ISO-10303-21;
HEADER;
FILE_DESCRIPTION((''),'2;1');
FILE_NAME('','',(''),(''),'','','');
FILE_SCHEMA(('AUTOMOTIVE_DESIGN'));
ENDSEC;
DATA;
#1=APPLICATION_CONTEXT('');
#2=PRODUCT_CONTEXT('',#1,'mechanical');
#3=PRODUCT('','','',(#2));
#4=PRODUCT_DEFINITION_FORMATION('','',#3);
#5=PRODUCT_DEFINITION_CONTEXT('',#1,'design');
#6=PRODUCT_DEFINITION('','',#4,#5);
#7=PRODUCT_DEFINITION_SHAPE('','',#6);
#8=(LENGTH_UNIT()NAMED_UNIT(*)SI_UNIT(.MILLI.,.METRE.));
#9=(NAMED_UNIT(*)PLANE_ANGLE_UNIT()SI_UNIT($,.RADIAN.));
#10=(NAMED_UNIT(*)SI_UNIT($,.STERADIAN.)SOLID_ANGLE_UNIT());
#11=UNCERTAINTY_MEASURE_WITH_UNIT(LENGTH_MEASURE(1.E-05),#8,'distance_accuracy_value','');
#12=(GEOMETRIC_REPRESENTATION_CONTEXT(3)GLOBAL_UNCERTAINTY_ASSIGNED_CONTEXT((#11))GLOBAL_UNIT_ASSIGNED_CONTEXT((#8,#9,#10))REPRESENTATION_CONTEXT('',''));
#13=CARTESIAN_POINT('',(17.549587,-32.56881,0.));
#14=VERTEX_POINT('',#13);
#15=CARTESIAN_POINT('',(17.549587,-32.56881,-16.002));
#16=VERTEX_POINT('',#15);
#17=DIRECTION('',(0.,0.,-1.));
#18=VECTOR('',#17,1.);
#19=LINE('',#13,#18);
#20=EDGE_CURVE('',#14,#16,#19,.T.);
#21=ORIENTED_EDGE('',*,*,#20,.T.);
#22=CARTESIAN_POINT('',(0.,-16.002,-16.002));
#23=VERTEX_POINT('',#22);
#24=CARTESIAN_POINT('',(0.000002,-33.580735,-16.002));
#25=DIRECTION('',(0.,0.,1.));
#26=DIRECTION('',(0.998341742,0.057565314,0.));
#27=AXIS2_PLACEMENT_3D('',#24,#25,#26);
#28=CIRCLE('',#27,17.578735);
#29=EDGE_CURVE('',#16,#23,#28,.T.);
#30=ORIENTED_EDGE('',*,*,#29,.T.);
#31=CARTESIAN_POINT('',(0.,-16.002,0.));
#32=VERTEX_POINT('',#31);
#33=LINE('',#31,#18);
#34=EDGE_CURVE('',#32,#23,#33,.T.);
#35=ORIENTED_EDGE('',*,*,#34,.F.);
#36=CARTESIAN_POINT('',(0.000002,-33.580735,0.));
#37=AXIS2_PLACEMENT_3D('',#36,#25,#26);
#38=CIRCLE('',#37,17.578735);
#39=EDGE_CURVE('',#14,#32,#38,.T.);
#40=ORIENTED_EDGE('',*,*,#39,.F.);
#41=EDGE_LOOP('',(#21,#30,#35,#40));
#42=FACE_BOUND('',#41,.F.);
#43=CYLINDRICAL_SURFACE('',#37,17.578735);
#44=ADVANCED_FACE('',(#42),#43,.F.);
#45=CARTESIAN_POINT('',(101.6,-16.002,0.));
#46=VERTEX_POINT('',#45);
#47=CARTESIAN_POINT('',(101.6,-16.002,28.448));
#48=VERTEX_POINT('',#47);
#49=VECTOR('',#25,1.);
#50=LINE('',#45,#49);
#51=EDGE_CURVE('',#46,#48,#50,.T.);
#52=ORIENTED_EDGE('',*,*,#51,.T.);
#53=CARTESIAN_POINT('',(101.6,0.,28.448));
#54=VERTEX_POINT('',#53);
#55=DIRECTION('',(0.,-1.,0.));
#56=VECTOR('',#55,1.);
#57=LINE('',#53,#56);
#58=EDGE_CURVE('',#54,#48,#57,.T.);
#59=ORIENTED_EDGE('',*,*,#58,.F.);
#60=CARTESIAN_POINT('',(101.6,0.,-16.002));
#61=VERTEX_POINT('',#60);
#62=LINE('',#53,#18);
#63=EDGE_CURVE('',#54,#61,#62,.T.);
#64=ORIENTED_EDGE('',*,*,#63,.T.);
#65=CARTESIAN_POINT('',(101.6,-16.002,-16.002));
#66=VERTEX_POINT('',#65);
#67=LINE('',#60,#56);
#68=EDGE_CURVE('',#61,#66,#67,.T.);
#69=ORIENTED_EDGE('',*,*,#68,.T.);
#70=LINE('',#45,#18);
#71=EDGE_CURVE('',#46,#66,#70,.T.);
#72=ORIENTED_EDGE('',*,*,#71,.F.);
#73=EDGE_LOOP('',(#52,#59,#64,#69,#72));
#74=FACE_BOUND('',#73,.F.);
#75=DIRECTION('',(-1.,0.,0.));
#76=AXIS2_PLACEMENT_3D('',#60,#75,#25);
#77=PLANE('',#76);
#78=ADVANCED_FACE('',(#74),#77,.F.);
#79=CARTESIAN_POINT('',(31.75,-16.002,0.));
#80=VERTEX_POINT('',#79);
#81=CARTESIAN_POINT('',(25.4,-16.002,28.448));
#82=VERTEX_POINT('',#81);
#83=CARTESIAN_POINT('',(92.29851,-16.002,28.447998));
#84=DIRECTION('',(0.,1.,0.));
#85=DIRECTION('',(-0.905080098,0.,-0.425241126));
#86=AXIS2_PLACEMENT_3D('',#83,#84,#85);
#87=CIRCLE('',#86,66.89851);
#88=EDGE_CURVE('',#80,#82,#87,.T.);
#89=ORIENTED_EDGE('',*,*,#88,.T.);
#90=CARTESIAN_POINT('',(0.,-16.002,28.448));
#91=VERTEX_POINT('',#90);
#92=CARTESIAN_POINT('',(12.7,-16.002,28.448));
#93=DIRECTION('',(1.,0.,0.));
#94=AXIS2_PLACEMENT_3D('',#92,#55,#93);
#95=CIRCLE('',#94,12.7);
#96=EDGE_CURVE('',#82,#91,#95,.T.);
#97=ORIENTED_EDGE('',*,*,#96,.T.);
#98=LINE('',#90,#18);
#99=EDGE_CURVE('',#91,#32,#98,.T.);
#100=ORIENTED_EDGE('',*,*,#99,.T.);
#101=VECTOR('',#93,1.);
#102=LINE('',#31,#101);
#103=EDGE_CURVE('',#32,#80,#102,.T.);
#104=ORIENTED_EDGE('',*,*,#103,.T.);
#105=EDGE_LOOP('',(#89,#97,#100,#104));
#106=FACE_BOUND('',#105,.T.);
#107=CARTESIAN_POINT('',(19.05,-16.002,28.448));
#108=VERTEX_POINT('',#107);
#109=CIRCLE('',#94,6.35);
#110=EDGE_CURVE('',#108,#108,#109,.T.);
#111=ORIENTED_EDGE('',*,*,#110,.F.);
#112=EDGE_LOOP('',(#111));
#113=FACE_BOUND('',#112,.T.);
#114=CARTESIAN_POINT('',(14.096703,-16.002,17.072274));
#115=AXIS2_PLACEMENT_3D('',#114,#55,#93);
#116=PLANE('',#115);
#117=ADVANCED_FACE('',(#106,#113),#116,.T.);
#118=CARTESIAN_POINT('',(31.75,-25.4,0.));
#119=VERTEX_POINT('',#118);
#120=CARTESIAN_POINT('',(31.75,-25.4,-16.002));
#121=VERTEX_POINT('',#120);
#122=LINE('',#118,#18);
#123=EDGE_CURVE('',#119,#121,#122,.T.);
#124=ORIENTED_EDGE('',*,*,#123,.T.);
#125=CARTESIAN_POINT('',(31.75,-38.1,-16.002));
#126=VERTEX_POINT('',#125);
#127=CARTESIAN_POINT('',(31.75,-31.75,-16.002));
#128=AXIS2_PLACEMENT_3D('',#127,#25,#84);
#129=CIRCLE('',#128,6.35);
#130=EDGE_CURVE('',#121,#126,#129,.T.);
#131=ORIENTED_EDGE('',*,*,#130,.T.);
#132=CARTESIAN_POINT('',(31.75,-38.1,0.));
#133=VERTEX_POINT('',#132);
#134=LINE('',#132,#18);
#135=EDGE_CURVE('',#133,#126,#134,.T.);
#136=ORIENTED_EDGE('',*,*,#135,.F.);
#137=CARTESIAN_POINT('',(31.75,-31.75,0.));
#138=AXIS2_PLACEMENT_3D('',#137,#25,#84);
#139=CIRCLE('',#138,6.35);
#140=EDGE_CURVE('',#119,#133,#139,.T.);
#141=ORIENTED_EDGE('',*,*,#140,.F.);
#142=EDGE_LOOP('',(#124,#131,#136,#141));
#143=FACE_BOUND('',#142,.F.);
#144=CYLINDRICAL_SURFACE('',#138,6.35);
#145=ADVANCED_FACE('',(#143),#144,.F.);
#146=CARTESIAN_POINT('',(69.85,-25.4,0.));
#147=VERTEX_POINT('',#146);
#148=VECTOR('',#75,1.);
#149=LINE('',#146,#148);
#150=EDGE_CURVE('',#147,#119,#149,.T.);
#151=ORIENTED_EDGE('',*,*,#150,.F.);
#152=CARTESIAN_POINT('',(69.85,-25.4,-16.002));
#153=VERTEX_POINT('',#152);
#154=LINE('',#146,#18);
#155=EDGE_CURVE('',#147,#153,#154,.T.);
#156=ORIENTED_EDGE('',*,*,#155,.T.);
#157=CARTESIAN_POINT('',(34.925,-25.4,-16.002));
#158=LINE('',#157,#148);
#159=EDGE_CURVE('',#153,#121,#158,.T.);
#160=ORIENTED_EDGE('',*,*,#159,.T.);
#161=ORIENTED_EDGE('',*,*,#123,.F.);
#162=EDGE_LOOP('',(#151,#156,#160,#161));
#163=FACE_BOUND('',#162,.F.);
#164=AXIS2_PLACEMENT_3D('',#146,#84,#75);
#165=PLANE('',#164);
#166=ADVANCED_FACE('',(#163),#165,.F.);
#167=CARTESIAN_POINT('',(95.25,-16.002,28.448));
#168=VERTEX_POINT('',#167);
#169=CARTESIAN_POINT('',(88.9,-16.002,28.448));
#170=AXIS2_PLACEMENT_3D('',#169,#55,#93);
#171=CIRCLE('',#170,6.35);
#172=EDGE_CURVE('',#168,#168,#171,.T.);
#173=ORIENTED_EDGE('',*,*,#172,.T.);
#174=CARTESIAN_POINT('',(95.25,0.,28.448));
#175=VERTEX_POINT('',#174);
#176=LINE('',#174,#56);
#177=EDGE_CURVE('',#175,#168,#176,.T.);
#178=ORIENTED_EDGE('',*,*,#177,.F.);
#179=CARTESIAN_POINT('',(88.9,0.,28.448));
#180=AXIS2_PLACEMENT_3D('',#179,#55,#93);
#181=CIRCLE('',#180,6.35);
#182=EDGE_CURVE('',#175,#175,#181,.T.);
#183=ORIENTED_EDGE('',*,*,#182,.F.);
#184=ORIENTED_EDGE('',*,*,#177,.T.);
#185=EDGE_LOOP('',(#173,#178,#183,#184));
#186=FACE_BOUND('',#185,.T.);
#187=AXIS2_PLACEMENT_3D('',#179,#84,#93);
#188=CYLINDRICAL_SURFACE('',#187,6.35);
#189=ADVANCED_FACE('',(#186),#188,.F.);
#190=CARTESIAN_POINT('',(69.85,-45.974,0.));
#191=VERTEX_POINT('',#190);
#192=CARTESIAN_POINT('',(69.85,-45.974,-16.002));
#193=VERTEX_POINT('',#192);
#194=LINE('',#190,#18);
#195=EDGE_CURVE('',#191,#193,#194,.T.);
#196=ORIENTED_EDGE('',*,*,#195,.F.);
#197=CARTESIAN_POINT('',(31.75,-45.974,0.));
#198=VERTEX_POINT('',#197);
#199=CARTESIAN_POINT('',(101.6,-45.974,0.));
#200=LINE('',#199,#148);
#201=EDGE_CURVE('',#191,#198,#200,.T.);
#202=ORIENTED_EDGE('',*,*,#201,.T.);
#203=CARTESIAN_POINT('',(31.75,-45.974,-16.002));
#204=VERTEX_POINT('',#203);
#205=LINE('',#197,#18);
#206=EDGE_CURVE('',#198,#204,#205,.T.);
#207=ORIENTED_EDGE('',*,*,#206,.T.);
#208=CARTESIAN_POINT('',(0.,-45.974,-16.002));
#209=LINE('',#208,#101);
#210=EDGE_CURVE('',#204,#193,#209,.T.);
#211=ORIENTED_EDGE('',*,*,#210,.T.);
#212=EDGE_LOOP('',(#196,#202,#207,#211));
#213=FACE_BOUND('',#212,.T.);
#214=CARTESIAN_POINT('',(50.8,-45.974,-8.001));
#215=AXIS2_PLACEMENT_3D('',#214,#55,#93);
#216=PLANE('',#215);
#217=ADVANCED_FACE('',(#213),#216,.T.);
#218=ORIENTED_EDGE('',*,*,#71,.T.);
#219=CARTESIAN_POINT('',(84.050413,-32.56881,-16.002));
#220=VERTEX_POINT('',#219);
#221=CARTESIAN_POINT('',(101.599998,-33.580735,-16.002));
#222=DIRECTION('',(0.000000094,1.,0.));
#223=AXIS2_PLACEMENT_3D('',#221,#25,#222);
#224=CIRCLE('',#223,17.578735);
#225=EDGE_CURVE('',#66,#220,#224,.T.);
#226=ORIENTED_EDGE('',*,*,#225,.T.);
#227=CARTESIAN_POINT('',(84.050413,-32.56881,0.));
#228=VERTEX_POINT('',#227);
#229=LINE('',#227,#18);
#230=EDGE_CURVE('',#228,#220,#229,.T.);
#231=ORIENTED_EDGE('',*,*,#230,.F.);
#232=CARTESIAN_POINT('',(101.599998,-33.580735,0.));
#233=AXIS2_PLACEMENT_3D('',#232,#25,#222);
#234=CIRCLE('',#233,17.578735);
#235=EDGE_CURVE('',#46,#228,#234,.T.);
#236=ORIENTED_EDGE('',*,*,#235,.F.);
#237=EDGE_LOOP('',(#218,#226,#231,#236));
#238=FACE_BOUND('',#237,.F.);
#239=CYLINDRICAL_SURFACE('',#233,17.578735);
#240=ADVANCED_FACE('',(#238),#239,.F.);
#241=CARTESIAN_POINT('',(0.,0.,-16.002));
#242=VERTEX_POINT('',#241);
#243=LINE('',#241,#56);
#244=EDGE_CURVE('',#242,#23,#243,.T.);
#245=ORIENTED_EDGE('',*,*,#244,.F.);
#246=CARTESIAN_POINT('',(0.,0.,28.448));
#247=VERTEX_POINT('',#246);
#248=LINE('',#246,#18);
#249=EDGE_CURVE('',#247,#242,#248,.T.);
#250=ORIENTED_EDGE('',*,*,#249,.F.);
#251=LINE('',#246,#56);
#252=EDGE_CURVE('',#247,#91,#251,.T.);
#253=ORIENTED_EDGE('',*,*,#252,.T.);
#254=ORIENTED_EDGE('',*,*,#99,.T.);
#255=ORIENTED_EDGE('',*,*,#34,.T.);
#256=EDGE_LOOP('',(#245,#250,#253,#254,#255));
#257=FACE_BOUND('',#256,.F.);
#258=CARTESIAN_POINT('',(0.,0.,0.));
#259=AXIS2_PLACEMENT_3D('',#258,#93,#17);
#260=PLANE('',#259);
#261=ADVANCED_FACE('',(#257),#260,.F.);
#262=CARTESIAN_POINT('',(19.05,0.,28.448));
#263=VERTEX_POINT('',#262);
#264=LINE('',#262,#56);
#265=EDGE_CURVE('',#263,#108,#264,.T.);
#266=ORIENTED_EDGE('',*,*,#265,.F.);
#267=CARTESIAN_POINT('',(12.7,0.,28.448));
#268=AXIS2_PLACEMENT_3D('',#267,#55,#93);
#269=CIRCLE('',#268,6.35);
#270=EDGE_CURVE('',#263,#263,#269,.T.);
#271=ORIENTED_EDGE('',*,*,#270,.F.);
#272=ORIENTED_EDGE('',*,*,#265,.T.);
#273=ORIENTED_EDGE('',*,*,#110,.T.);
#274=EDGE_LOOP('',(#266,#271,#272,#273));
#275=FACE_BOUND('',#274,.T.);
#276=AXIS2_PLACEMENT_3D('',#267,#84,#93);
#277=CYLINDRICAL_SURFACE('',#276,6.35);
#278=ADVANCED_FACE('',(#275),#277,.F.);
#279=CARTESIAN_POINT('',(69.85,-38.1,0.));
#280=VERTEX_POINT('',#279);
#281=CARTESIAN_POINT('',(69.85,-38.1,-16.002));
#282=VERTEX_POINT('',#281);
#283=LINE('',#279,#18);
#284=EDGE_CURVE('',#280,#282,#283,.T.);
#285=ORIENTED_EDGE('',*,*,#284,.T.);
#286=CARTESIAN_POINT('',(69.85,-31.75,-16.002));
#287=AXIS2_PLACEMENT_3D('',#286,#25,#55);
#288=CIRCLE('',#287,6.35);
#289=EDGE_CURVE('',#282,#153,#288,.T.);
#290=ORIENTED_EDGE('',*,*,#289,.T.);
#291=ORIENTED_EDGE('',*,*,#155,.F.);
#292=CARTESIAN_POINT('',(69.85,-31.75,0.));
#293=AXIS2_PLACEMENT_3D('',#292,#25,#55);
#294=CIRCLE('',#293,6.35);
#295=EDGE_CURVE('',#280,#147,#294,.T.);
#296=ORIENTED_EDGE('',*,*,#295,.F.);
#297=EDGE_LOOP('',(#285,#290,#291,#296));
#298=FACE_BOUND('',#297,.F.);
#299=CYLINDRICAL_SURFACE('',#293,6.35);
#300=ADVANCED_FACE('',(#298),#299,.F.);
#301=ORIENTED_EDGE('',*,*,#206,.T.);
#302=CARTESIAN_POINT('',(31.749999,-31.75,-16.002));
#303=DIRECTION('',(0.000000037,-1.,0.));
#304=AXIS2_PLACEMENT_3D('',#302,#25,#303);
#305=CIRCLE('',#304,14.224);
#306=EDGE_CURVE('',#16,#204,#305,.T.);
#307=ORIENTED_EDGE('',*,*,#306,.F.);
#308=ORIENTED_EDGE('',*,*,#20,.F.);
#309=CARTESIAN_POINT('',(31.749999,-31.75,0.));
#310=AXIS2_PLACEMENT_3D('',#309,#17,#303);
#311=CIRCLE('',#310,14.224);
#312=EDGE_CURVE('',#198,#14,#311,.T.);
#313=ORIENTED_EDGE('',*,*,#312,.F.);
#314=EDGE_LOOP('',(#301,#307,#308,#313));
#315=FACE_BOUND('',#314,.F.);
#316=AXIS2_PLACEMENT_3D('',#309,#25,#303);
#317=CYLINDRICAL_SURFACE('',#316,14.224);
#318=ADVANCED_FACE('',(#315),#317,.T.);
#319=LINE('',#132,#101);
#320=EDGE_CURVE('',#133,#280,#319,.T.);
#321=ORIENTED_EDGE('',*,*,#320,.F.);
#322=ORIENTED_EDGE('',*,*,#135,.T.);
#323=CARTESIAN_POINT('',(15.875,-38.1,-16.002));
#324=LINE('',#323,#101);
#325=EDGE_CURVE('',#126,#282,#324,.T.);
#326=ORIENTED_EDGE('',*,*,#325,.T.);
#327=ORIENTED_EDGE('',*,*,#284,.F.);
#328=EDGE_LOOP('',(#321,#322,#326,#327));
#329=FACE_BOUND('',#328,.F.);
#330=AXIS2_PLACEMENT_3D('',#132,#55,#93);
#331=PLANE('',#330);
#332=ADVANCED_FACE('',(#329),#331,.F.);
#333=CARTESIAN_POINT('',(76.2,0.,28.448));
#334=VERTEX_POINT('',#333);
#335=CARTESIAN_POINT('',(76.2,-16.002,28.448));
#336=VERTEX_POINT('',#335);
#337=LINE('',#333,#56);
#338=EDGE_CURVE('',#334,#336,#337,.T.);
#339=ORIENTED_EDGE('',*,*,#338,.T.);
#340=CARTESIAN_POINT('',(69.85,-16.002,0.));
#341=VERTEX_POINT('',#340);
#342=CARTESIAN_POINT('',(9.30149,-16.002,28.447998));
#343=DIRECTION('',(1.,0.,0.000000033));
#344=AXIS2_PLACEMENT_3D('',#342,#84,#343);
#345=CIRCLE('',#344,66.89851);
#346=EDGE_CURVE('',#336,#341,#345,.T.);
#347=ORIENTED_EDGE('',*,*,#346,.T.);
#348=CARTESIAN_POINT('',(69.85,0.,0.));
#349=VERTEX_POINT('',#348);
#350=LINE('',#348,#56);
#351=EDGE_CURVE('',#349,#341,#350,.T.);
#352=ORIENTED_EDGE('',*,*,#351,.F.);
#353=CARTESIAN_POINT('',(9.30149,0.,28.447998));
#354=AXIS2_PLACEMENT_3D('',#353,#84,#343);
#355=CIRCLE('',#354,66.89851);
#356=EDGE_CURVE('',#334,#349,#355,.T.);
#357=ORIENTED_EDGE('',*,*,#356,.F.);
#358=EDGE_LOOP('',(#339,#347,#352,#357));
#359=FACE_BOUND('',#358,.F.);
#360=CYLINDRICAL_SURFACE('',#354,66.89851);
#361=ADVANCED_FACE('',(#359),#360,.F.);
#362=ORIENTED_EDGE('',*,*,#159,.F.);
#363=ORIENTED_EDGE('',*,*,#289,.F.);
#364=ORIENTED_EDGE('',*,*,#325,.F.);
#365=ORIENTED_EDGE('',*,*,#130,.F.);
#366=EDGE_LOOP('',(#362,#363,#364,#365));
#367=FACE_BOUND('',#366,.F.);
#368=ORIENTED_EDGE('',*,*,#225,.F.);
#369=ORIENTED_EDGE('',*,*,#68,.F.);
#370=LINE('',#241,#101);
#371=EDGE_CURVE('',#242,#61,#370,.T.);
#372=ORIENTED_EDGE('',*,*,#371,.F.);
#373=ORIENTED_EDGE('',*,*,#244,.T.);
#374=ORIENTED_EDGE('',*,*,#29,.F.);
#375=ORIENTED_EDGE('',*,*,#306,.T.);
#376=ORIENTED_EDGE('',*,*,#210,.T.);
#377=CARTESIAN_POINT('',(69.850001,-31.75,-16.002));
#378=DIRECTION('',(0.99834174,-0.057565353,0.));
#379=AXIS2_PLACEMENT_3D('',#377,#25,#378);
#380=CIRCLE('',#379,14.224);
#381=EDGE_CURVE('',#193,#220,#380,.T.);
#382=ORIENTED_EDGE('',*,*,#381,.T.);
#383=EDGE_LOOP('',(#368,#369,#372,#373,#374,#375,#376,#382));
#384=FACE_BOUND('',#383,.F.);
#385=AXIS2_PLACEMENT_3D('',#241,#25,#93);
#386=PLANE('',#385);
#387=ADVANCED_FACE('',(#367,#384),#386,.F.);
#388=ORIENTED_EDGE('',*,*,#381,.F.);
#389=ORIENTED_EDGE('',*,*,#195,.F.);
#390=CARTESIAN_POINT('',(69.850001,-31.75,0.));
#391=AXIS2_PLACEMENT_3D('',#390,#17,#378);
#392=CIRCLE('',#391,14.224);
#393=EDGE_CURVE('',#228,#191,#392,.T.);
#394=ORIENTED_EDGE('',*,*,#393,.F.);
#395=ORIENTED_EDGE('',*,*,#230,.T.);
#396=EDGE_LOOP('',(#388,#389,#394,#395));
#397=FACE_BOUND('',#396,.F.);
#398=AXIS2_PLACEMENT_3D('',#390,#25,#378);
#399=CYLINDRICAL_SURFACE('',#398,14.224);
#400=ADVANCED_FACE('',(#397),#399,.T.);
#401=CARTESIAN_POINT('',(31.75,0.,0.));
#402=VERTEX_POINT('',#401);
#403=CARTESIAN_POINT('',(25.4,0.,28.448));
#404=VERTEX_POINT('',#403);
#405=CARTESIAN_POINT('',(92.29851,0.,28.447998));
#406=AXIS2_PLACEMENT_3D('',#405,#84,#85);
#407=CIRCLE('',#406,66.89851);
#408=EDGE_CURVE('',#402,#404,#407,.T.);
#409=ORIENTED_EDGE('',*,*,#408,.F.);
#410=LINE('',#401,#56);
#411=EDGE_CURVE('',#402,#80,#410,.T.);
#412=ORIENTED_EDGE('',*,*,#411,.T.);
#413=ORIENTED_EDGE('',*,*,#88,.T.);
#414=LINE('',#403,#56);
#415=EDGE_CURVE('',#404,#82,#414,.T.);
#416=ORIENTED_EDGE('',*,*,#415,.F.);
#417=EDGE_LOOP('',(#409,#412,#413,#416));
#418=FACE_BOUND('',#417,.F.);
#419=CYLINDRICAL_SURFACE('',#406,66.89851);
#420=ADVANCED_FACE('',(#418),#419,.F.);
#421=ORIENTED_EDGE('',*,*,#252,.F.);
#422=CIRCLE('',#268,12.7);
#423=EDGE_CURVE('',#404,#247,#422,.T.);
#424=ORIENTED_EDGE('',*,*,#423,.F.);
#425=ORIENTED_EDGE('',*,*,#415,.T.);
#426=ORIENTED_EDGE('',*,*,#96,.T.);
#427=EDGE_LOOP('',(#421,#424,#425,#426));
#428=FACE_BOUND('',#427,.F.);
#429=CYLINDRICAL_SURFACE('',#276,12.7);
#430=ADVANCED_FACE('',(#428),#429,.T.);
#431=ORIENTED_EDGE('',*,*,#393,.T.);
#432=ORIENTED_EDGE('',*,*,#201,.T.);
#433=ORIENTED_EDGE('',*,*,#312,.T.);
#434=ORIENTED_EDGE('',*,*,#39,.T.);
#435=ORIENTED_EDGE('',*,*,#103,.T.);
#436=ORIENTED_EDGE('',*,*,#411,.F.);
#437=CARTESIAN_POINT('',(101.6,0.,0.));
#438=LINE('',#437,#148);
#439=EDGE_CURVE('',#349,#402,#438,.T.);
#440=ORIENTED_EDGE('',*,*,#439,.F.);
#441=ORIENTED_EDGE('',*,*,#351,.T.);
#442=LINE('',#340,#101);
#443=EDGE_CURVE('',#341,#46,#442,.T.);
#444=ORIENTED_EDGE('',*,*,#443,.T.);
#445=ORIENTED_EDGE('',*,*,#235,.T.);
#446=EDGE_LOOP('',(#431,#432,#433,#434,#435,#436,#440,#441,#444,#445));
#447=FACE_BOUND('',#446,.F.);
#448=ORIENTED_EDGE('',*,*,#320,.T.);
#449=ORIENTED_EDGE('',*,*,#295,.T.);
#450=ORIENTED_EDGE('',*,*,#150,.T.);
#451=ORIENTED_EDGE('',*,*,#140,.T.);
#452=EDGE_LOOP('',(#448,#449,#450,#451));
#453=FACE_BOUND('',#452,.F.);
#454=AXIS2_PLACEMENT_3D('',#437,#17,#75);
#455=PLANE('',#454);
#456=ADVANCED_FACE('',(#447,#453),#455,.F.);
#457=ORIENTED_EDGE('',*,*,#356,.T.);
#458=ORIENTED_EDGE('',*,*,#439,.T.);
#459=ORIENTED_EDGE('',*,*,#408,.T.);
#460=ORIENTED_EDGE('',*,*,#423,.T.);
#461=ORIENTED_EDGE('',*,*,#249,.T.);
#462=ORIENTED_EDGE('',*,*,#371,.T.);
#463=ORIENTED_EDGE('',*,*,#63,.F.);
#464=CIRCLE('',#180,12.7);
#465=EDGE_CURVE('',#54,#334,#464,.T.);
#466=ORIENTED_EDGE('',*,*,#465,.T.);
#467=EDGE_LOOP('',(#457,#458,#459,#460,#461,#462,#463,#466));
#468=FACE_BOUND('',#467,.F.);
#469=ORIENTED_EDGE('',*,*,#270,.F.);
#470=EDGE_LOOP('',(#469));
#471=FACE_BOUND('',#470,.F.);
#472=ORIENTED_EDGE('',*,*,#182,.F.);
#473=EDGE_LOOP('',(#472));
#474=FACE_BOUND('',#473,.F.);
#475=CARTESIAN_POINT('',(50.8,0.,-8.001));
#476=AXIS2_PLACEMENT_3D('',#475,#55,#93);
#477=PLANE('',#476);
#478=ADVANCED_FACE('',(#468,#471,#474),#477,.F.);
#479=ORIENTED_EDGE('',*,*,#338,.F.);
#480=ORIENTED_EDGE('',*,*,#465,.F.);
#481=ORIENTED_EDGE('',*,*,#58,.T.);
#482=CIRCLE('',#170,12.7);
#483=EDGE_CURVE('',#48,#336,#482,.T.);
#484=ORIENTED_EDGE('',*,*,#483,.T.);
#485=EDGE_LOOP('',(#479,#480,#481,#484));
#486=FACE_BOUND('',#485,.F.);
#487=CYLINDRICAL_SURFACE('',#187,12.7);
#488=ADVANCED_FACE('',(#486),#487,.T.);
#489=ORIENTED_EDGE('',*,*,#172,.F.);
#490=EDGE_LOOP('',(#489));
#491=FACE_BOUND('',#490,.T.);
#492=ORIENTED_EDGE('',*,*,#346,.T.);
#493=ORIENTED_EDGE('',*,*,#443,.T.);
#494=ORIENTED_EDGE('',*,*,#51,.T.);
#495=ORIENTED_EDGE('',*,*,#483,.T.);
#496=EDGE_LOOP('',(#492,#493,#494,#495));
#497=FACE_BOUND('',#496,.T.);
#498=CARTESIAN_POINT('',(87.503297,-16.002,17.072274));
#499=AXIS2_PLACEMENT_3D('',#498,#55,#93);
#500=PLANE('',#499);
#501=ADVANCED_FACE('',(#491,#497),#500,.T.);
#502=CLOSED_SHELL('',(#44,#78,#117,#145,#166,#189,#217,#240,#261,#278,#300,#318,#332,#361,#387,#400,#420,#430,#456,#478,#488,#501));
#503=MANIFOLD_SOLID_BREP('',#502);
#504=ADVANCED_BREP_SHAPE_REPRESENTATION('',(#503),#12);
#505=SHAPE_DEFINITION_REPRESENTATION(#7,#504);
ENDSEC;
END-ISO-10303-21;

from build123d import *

# Parameters (mm, degrees)
F0_R     = 6.35
F1_DEPTH = 16.002
F2_DEPTH = 45.974
F4_DEPTH = 25.4
F5_DEPTH = 25.4


with BuildPart() as f1:
    # F0 (on Front) → F1 (new body)
    with BuildSketch(Plane.XZ):
        with BuildLine():
            ThreePointArc((76.2, 28.448), (74.593204, 13.873955), (69.85, 0))
            Line((69.85, 0), (101.6, 0))
            Line((101.6, 0), (101.6, 28.448))
            ThreePointArc((101.6, 28.448), (88.9, 41.148), (76.2, 28.448))
        make_face()
        with Locations((88.9, 28.448)):
            Circle(F0_R, mode=Mode.SUBTRACT)
        with BuildLine():
            Line((0, 28.448), (0, 0))
            Line((0, 0), (31.75, 0))
            ThreePointArc((31.75, 0), (27.006796, 13.873955), (25.4, 28.448))
            ThreePointArc((25.4, 28.448), (12.7, 41.148), (0, 28.448))
        make_face()
        with Locations((12.7, 28.448)):
            Circle(F0_R, mode=Mode.SUBTRACT)
    extrude(amount=F1_DEPTH)

    # F0 (on Front) → F2 (join)
    with BuildSketch(Plane.XZ):
        Polygon((31.75, 0), (0, 0), (0, -16.002), (101.6, -16.002), (101.6, 0), (69.85, 0), align=None)
    extrude(amount=F2_DEPTH)

    # F3 (on face) → F4 (cut)
    with BuildSketch(Plane.XY):
        with BuildLine():
            ThreePointArc((31.75, -45.974), (21.985897, -42.09333), (17.549587, -32.56881))
            ThreePointArc((17.549587, -32.56881), (12.066972, -20.797928), (0, -16.002))
            Line((0, -16.002), (0, -45.974))
            Line((0, -45.974), (31.75, -45.974))
        make_face()
        with BuildLine():
            ThreePointArc((84.050413, -32.56881), (79.614103, -42.09333), (69.85, -45.974))
            Line((69.85, -45.974), (101.6, -45.974))
            Line((101.6, -45.974), (101.6, -16.002))
            ThreePointArc((101.6, -16.002), (89.533028, -20.797928), (84.050413, -32.56881))
        make_face()
    extrude(amount=-F4_DEPTH, mode=Mode.SUBTRACT)

    # F3 (on face) → F5 (cut)
    with BuildSketch(Plane.XY):
        with BuildLine():
            Line((31.75, -38.1), (69.85, -38.1))
            ThreePointArc((69.85, -38.1), (76.2, -31.75), (69.85, -25.4))
            Line((69.85, -25.4), (31.75, -25.4))
            ThreePointArc((31.75, -25.4), (25.4, -31.75), (31.75, -38.1))
        make_face()
    extrude(amount=-F5_DEPTH, mode=Mode.SUBTRACT)


solid = f1.part
